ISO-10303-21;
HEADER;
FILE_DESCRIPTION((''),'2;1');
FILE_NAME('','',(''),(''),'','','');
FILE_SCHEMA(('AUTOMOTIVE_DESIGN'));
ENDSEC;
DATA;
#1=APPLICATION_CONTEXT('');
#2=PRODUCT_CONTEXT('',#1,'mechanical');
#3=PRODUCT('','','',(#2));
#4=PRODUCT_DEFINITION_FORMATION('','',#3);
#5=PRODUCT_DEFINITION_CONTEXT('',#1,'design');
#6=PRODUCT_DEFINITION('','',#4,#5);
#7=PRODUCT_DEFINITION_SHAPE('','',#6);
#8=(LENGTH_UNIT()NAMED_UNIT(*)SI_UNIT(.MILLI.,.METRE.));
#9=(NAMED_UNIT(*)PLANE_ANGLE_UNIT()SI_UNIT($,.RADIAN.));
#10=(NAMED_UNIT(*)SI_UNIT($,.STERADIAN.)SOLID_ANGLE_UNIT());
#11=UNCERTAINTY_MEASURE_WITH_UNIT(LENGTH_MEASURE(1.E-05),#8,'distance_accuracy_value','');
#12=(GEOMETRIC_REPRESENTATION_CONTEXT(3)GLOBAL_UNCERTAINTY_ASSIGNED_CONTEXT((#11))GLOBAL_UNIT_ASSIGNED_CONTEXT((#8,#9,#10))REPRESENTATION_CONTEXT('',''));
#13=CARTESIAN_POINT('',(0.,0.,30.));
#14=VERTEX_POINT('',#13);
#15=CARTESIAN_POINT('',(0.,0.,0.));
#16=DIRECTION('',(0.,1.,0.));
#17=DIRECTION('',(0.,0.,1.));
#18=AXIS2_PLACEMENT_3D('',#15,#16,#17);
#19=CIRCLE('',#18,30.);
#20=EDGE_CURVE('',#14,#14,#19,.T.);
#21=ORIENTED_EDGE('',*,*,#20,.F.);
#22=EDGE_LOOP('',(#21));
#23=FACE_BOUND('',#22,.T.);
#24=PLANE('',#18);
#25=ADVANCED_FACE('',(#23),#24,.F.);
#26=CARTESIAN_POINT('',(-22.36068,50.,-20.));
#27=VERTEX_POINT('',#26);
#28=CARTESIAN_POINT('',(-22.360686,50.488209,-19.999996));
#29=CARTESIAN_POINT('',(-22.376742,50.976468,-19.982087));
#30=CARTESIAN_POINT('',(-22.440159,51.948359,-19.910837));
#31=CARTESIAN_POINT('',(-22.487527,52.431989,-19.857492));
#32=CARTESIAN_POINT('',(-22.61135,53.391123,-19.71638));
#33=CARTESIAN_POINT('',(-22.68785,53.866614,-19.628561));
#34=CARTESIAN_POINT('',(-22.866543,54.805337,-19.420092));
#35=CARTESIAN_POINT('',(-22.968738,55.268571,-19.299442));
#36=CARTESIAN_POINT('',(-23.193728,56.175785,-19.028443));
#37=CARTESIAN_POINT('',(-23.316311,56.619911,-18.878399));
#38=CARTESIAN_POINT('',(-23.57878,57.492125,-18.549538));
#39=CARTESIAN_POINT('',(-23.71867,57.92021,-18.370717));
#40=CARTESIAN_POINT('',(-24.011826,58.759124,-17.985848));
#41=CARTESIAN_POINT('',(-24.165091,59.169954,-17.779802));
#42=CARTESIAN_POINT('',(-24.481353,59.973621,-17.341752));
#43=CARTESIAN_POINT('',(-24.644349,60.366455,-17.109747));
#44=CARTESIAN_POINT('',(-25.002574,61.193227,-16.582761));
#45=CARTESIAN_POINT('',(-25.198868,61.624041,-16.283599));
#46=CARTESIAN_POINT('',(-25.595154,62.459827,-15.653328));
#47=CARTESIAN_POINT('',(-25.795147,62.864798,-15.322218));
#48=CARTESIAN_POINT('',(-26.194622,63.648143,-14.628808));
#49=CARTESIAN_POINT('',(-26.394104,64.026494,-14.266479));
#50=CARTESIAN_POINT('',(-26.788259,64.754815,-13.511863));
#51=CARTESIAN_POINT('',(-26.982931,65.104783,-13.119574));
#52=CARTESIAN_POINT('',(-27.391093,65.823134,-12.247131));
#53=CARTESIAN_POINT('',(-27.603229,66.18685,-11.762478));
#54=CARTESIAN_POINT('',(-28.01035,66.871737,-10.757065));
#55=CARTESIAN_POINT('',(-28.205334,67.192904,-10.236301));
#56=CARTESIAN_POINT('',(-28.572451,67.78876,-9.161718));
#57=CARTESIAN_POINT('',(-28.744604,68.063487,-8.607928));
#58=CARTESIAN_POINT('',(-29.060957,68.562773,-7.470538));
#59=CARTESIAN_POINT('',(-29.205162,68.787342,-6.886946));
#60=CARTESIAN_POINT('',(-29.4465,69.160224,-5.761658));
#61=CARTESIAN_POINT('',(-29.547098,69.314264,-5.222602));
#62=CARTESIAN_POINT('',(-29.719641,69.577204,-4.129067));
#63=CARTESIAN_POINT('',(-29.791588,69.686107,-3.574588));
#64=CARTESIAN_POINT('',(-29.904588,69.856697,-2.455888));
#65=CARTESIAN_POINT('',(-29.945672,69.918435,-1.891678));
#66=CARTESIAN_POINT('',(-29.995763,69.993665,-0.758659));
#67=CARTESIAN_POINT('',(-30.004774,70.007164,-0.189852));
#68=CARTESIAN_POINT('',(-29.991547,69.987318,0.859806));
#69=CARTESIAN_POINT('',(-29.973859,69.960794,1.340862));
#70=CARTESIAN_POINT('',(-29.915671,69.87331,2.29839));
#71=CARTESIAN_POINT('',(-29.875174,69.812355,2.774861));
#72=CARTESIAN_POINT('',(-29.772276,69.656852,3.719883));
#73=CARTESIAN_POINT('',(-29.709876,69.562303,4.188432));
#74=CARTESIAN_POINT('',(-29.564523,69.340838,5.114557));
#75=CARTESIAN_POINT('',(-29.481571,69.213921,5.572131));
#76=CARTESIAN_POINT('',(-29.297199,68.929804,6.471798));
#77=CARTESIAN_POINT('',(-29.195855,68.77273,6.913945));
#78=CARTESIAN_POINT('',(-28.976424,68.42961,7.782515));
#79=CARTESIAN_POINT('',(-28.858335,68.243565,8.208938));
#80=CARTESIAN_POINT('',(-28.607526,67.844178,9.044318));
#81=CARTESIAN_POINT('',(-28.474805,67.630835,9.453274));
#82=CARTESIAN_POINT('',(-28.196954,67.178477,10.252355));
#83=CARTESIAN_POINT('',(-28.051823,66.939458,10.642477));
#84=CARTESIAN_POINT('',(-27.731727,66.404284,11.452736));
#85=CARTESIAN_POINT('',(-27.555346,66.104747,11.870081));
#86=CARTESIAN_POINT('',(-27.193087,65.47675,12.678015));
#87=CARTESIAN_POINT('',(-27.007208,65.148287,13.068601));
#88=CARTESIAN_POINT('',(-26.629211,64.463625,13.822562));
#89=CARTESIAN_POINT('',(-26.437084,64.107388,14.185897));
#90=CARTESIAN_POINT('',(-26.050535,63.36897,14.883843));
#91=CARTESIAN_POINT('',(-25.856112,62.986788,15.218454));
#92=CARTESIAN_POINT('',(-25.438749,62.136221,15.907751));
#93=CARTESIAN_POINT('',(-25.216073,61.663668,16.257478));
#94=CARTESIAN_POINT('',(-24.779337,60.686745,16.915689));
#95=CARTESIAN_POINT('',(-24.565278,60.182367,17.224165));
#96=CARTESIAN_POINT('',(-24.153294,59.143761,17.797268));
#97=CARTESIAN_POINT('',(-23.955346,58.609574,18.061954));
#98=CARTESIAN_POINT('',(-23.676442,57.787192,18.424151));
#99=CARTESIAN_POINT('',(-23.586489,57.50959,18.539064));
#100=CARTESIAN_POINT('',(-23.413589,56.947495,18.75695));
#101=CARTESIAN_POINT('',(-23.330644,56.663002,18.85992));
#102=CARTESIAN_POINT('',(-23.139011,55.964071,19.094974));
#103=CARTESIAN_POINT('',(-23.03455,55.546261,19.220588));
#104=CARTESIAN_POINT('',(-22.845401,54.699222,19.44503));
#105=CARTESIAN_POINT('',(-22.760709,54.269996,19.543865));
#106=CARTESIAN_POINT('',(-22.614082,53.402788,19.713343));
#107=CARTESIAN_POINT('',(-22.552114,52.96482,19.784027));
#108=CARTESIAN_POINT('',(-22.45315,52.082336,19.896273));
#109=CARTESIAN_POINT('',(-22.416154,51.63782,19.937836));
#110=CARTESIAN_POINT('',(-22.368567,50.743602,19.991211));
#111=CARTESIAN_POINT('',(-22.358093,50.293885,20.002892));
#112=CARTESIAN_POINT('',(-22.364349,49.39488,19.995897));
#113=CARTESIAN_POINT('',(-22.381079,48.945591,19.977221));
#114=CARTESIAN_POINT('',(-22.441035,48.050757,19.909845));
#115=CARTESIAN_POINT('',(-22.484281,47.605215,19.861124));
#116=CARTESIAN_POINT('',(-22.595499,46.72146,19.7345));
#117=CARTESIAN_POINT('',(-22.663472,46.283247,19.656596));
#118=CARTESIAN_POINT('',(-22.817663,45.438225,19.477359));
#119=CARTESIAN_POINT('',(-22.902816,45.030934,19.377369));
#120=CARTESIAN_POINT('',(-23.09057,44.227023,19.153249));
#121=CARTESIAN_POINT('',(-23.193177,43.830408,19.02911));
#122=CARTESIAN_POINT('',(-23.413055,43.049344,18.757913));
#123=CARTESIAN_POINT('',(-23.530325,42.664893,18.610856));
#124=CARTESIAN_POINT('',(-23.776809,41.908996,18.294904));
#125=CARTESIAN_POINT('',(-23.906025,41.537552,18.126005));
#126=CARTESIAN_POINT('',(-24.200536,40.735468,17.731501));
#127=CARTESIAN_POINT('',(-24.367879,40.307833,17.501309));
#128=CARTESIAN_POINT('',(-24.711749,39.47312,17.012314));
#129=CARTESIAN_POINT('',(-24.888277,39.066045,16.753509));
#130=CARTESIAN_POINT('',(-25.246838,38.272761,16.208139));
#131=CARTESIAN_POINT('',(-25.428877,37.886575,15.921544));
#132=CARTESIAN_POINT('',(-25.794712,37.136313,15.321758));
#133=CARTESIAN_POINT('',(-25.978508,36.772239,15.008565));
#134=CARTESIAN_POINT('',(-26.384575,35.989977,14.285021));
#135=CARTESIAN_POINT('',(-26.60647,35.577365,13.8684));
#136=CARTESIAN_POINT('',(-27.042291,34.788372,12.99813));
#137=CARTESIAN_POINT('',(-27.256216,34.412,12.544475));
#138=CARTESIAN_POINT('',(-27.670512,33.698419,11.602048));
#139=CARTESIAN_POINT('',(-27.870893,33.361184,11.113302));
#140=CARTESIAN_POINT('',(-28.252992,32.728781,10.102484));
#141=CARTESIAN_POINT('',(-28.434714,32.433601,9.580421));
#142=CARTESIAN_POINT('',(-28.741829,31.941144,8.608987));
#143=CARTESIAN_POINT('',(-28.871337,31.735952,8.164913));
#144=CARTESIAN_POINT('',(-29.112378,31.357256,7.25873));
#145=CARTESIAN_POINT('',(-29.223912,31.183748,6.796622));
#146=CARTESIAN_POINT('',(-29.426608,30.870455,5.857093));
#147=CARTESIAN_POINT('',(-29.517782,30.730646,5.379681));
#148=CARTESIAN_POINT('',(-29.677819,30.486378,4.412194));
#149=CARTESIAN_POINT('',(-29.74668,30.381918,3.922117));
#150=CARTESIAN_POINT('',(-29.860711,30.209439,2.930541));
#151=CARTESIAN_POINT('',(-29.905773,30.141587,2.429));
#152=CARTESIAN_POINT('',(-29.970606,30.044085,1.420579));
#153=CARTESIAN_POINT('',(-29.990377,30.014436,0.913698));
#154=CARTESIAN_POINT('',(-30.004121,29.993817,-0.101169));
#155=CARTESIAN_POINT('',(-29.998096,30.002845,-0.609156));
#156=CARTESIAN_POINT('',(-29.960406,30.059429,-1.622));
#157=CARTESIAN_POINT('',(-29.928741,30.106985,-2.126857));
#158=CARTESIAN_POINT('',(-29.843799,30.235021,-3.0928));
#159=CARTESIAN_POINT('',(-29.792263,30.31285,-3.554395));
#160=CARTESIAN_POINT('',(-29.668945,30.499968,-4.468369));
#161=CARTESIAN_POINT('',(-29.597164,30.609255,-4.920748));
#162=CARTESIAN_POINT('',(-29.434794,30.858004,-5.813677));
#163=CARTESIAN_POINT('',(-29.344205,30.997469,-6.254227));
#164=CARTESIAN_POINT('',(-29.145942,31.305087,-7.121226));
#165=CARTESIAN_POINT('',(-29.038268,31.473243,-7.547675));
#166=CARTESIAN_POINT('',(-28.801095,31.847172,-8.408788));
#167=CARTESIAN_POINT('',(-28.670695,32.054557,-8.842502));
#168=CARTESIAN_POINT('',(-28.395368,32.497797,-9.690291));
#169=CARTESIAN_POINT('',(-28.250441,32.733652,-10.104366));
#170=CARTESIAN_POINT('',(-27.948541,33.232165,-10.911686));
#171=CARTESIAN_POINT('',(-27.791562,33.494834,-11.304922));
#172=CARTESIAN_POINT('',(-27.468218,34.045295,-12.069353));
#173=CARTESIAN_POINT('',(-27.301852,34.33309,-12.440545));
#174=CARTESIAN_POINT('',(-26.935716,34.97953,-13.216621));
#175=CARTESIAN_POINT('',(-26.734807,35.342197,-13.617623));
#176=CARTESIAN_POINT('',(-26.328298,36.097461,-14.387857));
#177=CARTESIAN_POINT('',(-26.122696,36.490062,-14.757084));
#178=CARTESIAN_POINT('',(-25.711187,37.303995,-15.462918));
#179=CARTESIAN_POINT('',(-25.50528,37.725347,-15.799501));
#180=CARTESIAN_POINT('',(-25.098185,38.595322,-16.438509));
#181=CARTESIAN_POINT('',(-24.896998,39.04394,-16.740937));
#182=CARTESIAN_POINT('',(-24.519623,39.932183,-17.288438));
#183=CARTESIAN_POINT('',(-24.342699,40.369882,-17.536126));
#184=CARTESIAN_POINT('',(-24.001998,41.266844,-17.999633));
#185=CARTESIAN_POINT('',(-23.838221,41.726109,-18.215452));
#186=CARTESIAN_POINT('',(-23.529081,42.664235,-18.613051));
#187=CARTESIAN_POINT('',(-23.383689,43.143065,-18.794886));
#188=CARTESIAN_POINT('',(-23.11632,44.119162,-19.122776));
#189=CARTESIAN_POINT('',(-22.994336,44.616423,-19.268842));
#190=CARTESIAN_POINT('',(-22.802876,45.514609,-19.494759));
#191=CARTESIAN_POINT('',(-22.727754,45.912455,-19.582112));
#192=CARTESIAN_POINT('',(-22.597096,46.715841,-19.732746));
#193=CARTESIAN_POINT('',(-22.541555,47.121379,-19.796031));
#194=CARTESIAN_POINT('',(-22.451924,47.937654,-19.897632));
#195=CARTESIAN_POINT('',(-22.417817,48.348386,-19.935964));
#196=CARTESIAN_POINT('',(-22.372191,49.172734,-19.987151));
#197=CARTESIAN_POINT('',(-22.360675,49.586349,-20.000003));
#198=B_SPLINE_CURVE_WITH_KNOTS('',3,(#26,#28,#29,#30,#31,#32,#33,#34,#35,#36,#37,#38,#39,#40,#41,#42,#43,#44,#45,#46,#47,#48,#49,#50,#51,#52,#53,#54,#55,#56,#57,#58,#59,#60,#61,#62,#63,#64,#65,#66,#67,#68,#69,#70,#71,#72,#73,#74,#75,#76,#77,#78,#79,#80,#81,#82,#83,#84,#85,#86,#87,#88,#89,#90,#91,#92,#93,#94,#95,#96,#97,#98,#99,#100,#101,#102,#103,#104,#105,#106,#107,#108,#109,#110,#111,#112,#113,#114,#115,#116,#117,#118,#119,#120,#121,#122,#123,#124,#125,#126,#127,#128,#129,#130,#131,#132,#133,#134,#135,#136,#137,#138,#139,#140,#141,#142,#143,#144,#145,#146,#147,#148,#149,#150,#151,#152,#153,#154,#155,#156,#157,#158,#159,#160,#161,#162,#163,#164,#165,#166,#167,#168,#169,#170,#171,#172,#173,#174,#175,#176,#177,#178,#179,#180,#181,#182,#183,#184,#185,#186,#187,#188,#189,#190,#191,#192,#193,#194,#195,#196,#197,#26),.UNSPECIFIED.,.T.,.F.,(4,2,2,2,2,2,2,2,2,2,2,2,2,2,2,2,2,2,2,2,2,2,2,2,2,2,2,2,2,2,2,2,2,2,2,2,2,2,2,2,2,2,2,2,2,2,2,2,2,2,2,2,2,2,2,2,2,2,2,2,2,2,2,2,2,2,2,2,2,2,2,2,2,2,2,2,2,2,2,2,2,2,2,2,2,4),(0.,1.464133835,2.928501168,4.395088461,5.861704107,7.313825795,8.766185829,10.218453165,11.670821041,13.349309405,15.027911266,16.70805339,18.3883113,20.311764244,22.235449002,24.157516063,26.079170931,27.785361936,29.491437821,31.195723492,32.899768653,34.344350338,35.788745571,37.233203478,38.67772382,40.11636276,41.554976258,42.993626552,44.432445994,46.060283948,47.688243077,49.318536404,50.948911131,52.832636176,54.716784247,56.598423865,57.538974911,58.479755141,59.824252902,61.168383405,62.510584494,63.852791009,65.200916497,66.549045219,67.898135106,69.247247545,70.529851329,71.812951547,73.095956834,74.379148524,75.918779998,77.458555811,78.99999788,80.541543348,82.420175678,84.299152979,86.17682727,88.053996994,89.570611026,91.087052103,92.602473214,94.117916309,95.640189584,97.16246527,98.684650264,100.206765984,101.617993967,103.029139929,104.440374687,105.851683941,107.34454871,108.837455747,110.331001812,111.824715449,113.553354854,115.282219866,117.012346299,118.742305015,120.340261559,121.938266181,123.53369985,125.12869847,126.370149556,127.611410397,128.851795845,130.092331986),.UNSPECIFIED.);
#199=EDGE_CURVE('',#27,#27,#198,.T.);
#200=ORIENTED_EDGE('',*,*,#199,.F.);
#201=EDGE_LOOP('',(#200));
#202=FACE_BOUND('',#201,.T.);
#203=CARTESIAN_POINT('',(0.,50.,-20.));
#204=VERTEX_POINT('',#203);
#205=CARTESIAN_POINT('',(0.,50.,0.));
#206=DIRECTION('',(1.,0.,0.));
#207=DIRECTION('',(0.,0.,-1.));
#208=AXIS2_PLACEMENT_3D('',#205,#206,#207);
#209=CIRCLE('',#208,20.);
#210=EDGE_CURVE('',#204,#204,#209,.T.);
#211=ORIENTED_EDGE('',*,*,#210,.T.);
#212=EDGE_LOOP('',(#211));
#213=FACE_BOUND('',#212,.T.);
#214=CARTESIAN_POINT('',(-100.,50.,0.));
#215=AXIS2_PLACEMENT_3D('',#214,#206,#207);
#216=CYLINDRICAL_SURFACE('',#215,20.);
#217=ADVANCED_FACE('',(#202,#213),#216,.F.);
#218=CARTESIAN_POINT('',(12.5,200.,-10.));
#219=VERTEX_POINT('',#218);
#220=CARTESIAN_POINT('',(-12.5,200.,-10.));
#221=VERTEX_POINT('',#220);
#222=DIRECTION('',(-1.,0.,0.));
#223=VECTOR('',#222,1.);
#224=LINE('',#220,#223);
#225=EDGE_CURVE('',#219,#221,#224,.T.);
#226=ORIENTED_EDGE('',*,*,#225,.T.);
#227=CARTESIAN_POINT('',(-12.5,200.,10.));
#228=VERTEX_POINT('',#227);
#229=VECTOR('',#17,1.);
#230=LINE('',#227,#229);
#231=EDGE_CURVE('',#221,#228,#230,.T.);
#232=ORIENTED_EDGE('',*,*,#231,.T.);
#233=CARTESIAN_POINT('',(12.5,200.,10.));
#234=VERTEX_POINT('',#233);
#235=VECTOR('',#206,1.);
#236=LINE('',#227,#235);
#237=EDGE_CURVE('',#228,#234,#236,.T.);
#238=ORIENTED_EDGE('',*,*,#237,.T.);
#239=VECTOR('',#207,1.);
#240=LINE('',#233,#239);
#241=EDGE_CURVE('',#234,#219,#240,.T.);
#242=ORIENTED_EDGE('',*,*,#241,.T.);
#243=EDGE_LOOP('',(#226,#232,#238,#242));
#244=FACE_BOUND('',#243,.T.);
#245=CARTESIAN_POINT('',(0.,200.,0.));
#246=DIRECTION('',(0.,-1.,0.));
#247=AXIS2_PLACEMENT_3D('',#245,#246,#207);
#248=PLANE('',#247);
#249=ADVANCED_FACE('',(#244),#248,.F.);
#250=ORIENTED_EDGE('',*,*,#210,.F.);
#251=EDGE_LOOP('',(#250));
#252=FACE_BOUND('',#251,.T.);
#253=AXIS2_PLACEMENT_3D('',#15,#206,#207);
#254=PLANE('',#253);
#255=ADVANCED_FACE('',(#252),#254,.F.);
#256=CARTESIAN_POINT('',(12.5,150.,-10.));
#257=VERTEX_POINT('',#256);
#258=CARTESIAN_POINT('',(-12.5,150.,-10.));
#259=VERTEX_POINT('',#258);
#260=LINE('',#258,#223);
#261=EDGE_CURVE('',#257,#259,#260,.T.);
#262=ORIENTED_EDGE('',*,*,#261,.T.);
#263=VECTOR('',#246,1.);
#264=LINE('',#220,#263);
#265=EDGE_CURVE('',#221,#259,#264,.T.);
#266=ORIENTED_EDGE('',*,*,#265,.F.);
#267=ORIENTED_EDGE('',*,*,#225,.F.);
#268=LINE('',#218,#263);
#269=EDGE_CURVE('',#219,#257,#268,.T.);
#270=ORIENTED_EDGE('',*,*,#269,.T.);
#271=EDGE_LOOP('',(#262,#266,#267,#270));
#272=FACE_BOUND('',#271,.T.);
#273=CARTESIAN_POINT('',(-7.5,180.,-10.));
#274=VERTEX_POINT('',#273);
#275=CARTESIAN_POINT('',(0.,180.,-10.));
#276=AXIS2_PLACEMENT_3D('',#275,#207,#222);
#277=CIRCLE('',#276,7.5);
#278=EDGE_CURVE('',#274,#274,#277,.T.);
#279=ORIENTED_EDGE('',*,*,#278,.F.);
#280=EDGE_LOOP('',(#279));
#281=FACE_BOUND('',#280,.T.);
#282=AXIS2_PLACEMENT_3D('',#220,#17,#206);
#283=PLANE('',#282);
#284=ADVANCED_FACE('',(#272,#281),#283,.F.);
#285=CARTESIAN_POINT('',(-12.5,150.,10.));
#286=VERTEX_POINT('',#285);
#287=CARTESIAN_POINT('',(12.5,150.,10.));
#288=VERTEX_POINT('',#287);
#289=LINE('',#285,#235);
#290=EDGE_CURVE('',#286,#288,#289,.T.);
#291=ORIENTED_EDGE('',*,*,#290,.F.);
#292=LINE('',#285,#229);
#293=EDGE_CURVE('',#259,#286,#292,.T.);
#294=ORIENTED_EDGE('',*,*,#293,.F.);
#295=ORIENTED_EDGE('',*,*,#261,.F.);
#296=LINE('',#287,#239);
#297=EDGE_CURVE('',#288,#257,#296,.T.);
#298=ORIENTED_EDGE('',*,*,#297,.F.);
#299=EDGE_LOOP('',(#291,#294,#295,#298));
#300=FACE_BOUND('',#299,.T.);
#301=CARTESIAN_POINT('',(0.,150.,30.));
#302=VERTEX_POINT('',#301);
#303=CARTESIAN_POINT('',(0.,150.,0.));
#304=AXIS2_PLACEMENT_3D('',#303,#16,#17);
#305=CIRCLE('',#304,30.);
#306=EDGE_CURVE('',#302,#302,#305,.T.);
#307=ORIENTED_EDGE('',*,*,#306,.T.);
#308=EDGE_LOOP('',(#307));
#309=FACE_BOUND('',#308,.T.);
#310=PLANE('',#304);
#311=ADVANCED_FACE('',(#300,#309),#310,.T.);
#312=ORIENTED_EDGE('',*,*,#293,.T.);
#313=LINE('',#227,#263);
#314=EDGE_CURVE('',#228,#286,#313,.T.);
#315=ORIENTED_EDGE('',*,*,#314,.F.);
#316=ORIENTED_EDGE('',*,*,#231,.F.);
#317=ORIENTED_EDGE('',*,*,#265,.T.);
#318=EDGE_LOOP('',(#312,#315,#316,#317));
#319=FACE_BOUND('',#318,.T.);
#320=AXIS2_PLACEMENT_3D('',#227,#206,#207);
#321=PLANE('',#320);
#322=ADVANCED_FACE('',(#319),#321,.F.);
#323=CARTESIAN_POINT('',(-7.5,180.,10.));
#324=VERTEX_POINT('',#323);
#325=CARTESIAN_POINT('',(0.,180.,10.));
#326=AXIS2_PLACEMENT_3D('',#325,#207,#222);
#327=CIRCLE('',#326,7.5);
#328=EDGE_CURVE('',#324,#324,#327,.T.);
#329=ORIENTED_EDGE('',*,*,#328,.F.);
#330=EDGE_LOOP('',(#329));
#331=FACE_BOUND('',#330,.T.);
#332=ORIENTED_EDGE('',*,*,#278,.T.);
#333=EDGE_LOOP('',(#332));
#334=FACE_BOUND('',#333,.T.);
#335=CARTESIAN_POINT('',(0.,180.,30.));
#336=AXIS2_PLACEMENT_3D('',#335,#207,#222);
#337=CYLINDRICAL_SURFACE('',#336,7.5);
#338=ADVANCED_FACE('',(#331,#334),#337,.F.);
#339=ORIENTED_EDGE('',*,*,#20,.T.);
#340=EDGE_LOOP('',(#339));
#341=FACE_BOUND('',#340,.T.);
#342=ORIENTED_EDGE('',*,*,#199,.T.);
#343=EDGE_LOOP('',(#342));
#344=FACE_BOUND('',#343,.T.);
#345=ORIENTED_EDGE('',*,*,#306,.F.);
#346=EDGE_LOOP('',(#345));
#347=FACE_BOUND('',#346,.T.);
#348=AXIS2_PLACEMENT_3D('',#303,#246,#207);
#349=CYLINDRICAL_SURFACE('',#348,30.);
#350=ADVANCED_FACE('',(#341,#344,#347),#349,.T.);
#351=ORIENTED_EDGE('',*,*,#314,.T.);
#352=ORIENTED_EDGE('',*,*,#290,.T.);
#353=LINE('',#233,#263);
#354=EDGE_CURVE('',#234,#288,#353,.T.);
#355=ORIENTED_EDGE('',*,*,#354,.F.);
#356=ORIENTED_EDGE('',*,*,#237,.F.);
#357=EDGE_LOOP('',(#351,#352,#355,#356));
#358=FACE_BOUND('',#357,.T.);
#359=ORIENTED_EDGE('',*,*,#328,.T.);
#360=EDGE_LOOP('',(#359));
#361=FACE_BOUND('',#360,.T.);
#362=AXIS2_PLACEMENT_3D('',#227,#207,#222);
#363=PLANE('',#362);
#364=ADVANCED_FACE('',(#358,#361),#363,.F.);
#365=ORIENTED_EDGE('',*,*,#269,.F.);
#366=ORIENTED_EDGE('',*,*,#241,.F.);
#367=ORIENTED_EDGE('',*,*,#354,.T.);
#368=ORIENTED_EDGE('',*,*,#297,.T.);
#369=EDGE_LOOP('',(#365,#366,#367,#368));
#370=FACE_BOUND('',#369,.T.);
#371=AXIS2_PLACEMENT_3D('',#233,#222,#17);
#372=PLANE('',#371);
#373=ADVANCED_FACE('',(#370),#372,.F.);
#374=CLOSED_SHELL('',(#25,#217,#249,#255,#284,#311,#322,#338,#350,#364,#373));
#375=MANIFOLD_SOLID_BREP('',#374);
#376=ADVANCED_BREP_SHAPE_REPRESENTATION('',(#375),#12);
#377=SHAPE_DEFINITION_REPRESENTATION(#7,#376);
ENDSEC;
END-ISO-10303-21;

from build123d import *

# Parameters (mm, degrees)
SKETCH2_R           = 30
BOSS_EXTRUDE1_DEPTH = 150
SKETCH3_R           = 20
CUT_EXTRUDE1_DEPTH  = 100
SKETCH4_W           = 25
SKETCH4_H           = 20
BOSS_EXTRUDE2_DEPTH = 50
SKETCH5_R           = 7.5
CUT_EXTRUDE2_DEPTH  = 40


with BuildPart() as part:
    # Sketch2 → Boss-Extrude1 (new body)
    with BuildSketch(Plane(origin=(0, 0, 0), x_dir=(1, 0, 0), z_dir=(0, 1, 0))):
        with Locations(Location((0, 0, 0), (0, 0, 270))):
            Circle(SKETCH2_R)
    extrude(amount=BOSS_EXTRUDE1_DEPTH)

    # Sketch3 → Cut-Extrude1 (cut)
    with BuildSketch(Plane(origin=(0, 0, 0), x_dir=(0, 0, -1), z_dir=(1, 0, 0))):
        with Locations((0, 50)):
            Circle(SKETCH3_R)
    extrude(amount=-CUT_EXTRUDE1_DEPTH, mode=Mode.SUBTRACT)

    # Sketch4 → Boss-Extrude2 (add)
    with BuildSketch(Plane(origin=(0, 150, 0), x_dir=(1, 0, 0), z_dir=(0, 1, 0))):
        Rectangle(SKETCH4_W, SKETCH4_H)
    extrude(amount=BOSS_EXTRUDE2_DEPTH)

    # Sketch5 → Cut-Extrude2 (cut)
    with BuildSketch(Plane(origin=(0, 0, -10), x_dir=(-1, 0, 0), z_dir=(0, 0, -1))):
        with Locations((0, 180)):
            Circle(SKETCH5_R)
    extrude(amount=-CUT_EXTRUDE2_DEPTH, mode=Mode.SUBTRACT)


solid = part.part
